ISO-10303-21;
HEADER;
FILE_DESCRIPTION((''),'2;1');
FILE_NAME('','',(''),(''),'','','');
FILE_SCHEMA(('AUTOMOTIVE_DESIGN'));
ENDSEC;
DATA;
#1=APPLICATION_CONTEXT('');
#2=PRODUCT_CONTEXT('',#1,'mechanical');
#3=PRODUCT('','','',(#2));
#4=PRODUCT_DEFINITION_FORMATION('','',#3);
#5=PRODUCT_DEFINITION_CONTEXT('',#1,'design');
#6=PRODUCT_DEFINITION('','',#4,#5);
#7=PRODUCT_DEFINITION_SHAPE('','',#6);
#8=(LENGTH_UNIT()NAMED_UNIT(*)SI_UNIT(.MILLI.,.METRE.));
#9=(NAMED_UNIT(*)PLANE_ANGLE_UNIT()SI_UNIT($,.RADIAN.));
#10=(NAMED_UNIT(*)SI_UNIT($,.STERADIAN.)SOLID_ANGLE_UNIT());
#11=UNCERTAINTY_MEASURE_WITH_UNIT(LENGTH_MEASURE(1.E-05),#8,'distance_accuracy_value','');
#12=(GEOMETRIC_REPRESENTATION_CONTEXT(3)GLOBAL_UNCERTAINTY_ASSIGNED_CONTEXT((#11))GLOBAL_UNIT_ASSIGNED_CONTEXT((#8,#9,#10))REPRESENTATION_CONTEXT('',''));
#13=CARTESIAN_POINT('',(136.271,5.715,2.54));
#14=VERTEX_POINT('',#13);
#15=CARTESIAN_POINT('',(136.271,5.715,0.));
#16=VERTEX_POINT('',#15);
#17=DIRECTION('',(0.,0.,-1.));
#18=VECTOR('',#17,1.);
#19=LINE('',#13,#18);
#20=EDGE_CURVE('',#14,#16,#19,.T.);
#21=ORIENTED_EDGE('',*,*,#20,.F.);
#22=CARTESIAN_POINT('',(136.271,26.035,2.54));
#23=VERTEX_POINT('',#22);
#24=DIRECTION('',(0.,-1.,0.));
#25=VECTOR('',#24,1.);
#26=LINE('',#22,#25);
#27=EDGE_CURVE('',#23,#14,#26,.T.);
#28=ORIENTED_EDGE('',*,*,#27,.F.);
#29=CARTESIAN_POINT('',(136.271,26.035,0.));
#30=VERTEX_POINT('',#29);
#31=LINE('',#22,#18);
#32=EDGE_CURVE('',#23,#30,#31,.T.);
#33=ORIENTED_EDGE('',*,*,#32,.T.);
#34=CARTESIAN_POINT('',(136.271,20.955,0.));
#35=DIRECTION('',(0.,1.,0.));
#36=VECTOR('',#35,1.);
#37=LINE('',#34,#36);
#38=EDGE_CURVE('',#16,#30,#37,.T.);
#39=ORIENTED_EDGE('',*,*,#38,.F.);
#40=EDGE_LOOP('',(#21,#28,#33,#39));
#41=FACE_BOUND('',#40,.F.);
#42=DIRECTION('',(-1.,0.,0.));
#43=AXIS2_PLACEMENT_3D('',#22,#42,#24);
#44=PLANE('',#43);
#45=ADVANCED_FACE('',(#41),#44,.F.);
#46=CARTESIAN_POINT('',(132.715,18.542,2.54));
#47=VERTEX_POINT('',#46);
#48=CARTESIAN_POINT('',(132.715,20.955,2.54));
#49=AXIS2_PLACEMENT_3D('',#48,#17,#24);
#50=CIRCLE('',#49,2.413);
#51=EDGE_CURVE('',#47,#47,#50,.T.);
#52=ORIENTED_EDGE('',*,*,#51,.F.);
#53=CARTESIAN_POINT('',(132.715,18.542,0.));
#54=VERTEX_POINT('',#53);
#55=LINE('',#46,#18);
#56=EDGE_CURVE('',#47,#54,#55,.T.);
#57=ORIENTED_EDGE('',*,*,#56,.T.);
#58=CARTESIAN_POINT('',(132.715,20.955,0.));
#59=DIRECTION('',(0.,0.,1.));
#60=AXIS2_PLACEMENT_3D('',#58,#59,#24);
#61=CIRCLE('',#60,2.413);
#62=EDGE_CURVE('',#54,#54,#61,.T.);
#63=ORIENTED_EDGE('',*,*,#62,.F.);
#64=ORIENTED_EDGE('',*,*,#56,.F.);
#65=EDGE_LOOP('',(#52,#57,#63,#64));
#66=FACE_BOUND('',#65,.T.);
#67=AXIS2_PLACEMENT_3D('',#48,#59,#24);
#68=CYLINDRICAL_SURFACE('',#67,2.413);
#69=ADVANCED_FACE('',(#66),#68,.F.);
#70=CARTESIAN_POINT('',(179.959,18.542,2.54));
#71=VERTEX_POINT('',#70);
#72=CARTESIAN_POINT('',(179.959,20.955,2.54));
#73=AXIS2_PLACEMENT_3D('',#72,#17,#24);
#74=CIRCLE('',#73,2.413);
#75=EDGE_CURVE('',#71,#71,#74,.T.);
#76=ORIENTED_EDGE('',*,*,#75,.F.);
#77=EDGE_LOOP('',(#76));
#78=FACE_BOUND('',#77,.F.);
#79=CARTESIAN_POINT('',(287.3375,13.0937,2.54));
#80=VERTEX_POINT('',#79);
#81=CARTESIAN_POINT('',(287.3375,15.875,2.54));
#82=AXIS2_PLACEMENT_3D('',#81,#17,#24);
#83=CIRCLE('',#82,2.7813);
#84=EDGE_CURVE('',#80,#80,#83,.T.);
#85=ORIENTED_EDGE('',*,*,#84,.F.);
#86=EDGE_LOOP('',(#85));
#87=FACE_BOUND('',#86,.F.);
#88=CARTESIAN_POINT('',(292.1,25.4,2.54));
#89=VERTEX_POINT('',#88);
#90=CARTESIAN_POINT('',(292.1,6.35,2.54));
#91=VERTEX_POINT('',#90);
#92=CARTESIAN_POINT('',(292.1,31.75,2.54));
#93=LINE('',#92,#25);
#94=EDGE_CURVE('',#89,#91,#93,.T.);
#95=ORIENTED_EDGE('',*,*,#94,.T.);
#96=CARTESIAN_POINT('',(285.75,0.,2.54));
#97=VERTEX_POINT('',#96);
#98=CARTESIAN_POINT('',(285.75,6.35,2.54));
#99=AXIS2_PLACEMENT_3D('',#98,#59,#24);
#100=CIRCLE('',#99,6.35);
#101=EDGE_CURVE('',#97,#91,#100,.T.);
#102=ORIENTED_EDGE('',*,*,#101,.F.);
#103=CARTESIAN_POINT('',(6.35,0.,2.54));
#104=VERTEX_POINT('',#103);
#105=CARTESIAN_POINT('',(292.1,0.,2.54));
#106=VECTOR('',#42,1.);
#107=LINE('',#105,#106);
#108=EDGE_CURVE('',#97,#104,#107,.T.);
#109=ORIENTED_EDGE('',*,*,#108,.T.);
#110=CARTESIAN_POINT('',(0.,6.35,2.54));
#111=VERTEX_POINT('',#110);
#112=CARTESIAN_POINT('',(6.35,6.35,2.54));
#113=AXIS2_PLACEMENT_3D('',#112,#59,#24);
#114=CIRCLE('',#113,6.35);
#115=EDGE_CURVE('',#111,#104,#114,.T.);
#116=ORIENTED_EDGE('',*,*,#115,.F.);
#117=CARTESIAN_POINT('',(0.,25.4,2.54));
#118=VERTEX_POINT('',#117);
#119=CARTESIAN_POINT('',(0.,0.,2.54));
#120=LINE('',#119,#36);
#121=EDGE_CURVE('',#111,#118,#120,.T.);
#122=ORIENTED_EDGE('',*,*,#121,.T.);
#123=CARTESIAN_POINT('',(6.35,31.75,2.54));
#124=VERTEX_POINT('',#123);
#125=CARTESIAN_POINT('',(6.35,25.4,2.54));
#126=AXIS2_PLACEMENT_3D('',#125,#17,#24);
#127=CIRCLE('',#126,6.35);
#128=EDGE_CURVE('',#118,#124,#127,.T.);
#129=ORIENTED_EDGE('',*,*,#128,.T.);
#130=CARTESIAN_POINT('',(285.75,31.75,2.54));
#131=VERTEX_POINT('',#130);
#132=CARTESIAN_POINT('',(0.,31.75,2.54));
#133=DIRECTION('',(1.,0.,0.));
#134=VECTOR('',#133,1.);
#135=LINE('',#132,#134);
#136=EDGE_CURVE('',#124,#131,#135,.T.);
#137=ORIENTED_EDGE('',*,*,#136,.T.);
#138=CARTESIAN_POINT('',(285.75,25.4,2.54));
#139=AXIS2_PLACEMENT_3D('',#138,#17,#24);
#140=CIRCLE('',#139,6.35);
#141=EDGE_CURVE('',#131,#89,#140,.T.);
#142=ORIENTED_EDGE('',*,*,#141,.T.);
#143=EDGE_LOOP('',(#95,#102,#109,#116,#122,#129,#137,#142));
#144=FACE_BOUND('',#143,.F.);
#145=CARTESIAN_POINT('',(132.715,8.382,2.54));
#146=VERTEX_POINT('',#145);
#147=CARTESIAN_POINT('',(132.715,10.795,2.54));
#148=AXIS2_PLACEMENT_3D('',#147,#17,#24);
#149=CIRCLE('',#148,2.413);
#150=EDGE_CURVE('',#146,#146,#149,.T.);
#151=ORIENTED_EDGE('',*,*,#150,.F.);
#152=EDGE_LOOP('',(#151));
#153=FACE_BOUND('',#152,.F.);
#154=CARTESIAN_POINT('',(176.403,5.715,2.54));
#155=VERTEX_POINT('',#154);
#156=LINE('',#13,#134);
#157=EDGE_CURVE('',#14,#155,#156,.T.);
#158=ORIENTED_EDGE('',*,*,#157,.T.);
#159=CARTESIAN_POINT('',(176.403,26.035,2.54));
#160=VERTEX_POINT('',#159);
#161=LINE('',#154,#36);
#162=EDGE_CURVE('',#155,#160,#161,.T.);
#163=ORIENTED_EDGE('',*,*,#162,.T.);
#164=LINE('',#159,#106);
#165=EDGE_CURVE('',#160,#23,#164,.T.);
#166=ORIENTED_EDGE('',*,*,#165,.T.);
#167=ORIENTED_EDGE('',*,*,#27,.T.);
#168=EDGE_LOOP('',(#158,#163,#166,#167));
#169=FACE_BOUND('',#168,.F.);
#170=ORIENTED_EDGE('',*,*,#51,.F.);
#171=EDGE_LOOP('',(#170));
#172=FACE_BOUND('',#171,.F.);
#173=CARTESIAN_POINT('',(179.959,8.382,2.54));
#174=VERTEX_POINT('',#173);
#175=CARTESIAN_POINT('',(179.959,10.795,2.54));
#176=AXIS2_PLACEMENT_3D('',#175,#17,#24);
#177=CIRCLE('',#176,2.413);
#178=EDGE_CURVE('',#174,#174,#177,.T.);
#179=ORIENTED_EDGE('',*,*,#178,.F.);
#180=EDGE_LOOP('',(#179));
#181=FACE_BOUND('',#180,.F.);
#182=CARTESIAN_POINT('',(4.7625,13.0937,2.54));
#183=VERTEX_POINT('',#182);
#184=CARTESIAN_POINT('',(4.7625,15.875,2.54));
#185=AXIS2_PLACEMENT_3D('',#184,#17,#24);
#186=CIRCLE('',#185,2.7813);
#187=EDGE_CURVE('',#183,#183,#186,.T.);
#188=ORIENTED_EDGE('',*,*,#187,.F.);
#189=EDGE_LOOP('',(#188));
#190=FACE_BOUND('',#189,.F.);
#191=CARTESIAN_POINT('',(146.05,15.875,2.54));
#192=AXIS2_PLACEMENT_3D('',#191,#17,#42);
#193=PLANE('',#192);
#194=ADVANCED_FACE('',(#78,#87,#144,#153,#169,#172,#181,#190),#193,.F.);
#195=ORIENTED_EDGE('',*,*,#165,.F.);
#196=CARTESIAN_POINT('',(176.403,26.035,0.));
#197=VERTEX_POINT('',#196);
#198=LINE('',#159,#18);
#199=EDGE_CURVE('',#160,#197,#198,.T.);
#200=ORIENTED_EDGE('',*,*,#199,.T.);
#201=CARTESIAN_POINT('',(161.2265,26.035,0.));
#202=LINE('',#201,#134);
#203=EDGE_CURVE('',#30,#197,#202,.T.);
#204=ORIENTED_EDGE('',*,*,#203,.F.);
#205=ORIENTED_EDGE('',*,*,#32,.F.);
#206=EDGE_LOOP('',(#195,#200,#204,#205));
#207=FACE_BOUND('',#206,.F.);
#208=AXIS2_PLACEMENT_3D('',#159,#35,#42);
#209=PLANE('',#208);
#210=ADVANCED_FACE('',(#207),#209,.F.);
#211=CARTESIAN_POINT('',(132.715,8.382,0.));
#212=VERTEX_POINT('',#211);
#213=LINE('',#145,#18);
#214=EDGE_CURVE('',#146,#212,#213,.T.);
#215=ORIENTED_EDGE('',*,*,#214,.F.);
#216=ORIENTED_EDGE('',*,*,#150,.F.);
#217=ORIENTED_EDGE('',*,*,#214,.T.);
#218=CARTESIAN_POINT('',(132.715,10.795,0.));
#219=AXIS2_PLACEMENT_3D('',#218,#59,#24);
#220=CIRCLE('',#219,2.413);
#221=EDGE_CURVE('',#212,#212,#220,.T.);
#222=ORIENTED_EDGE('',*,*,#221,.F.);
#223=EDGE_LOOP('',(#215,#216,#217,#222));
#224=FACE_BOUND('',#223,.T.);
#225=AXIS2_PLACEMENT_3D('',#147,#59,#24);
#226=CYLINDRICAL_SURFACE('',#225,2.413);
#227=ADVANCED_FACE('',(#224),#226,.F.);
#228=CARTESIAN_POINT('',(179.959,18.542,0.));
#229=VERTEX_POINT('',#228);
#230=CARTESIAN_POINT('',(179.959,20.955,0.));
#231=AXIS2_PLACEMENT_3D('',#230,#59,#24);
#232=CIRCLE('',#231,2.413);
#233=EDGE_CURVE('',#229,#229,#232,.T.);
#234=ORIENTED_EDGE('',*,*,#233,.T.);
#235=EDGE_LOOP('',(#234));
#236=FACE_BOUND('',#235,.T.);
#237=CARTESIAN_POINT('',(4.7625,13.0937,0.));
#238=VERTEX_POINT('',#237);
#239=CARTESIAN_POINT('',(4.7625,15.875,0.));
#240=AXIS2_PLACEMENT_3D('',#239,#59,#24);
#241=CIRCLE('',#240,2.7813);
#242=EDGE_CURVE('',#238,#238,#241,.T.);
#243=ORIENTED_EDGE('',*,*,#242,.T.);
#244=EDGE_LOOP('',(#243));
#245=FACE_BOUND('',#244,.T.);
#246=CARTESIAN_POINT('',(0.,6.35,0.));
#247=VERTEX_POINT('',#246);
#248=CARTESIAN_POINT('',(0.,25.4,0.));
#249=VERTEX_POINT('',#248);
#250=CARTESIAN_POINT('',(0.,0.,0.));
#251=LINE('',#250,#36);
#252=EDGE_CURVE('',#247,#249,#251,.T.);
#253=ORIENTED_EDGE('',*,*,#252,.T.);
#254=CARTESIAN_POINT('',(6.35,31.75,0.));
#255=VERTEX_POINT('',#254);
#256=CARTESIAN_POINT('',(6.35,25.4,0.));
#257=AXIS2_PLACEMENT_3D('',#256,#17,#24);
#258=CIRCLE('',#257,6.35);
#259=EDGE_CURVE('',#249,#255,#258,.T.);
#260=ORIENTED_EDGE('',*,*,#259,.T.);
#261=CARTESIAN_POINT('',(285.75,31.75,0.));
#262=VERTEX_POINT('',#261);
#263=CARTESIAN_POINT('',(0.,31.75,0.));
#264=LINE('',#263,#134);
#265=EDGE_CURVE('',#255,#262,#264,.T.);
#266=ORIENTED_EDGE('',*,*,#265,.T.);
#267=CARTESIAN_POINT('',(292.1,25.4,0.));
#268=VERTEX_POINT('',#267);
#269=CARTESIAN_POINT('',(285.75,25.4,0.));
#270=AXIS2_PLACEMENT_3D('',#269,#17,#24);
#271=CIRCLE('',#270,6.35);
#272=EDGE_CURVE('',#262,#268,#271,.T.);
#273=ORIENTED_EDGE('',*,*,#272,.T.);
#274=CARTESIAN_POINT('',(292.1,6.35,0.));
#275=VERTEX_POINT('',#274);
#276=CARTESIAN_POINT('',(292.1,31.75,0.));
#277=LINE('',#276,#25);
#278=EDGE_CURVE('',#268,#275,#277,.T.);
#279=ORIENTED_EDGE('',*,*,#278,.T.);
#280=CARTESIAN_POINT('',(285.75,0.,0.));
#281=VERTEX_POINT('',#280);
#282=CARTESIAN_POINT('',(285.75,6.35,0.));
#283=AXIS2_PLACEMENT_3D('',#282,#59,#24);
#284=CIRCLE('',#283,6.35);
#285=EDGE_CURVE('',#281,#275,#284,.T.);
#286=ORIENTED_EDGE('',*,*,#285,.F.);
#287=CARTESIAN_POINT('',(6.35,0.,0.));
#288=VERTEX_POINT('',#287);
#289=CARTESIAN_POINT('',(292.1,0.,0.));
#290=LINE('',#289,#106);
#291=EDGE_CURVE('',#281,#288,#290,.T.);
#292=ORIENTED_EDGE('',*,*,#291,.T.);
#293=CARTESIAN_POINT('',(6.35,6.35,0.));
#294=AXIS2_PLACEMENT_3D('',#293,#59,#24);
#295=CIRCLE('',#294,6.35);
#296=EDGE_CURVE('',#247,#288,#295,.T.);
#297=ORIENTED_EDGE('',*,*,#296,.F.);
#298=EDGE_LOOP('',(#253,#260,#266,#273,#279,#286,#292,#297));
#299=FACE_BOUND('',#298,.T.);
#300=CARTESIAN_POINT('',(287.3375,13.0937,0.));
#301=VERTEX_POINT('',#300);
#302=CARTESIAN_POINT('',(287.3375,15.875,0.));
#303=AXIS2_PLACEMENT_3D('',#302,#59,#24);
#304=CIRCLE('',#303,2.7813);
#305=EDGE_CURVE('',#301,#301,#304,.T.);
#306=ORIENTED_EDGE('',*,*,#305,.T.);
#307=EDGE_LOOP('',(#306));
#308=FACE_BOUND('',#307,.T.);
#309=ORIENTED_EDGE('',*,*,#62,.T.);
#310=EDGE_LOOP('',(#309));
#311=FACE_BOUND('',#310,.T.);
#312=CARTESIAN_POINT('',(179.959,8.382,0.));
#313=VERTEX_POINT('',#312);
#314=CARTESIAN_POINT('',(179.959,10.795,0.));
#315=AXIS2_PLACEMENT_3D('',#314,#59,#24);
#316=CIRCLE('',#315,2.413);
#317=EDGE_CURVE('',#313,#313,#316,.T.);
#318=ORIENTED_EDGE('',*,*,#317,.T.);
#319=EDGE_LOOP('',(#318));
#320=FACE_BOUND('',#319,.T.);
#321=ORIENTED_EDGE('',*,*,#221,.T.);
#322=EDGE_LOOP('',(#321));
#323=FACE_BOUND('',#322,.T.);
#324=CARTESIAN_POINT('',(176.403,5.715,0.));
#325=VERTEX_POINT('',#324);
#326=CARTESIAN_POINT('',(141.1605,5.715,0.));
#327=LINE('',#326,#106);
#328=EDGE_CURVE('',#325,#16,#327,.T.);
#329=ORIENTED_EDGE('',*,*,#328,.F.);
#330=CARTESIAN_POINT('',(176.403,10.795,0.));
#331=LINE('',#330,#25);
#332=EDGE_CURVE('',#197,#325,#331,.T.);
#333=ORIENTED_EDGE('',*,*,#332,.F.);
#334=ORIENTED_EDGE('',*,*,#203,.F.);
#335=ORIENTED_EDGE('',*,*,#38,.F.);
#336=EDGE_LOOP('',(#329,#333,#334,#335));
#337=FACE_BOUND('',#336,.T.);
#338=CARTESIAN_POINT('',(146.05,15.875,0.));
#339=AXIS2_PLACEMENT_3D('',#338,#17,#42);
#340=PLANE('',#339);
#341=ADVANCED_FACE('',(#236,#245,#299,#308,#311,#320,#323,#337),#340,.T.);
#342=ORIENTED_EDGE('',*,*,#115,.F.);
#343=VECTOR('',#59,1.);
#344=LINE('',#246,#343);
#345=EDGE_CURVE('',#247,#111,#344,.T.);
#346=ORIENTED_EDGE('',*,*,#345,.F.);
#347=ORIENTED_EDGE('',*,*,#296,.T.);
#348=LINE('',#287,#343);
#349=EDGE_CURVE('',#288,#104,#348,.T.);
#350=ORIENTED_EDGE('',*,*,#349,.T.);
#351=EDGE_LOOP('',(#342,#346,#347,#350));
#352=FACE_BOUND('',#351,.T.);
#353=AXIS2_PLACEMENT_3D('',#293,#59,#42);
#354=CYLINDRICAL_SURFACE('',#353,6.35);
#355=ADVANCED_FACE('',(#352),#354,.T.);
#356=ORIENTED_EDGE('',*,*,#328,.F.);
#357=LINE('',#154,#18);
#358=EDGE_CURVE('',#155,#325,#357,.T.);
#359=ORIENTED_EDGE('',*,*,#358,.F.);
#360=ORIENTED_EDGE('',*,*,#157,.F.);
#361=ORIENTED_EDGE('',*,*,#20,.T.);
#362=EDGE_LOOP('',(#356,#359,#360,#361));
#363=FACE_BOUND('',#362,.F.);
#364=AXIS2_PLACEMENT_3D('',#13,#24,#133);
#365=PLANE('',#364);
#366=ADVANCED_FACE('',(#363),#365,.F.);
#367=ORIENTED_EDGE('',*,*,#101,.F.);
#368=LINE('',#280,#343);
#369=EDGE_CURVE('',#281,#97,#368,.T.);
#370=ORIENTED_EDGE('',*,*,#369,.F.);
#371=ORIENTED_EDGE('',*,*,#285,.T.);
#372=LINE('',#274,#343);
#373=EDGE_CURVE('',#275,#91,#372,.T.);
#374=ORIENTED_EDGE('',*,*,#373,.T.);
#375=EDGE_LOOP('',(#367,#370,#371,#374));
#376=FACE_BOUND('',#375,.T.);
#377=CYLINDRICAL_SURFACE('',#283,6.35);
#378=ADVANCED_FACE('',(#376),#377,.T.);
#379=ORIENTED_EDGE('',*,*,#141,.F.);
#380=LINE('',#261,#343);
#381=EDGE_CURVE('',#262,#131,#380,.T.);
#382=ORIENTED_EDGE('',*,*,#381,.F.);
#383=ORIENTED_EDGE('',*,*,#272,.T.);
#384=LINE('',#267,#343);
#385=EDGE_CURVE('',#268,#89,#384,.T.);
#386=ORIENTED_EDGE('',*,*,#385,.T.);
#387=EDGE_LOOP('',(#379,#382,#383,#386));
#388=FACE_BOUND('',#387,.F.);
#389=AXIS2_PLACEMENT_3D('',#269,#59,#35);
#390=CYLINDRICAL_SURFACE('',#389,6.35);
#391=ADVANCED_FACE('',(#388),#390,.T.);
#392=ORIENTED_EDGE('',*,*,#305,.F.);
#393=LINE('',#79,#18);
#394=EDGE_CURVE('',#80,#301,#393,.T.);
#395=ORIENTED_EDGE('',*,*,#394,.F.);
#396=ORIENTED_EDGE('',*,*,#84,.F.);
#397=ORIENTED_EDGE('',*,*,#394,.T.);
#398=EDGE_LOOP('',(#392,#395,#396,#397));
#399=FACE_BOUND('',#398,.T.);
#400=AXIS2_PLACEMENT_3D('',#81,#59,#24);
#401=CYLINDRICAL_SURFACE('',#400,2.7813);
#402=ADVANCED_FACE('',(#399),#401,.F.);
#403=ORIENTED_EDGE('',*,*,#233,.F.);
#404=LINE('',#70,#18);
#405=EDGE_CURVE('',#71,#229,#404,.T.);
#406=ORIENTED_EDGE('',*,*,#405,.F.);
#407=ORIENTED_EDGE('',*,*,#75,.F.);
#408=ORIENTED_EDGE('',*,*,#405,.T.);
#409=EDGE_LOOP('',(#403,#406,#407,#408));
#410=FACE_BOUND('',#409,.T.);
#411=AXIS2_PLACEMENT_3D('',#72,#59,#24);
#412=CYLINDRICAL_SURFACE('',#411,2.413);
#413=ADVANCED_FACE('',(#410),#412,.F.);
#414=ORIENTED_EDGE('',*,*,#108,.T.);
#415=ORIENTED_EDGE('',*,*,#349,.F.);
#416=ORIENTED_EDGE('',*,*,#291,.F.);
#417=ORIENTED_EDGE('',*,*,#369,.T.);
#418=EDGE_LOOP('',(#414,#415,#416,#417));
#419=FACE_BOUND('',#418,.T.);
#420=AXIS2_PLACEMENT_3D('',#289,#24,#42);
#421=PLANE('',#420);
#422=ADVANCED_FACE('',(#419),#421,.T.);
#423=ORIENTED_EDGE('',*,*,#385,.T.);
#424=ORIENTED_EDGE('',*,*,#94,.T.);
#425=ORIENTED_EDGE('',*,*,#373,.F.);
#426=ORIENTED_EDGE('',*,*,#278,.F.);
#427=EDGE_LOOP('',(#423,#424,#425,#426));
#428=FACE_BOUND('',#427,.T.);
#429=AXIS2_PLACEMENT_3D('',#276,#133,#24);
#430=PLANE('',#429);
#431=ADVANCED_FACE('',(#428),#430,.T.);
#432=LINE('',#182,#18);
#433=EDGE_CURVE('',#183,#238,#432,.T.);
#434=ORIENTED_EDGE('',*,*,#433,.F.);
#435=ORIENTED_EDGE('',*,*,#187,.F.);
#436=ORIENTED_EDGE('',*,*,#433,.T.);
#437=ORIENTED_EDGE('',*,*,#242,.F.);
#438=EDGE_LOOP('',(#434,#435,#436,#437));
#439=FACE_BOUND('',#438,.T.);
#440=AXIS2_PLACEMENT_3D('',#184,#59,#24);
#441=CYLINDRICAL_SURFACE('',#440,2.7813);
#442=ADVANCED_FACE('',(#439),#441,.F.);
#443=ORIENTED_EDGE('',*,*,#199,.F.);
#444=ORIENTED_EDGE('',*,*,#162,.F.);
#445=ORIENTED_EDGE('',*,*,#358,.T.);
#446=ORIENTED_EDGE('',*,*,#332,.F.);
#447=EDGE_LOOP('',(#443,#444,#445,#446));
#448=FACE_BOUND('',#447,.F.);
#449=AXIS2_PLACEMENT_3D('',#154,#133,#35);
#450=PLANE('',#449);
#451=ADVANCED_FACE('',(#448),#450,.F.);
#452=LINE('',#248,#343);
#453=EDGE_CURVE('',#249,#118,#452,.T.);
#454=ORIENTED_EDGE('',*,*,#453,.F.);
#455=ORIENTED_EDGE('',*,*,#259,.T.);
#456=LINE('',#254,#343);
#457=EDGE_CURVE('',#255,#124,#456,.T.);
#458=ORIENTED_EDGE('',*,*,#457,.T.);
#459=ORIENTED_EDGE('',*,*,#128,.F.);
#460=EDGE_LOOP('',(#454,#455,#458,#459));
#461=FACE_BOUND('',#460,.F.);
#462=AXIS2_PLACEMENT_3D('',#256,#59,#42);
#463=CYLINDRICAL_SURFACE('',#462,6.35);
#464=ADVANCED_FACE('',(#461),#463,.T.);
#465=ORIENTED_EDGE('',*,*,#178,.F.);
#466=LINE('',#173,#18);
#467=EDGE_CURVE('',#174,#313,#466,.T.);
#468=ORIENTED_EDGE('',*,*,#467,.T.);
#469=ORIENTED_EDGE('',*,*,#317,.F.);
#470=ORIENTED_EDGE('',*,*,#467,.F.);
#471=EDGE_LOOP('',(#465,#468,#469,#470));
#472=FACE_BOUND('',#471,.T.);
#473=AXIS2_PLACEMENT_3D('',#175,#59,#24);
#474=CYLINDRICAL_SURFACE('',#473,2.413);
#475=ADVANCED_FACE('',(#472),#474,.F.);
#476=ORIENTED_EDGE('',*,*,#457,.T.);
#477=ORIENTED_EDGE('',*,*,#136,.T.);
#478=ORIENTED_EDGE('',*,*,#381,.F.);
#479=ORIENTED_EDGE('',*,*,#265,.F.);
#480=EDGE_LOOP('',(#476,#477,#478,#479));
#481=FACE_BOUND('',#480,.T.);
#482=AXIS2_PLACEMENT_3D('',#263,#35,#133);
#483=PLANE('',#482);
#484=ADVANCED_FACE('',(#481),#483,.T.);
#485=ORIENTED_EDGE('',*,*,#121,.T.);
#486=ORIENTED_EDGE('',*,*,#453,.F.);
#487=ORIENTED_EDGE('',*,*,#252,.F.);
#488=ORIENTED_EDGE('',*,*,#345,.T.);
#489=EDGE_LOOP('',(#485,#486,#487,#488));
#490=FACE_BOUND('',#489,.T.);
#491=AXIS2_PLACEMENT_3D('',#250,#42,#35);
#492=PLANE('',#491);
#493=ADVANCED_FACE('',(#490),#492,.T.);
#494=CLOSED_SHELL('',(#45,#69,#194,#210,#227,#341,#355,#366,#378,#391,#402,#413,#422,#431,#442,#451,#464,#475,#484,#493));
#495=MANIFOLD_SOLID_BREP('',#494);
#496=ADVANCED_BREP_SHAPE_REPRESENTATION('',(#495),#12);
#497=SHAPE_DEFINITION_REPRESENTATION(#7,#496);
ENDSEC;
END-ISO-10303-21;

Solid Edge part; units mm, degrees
sketch "Sketch1" plane through (0, 0, 0) normal (0, 0, 1) x (1, 0, 0)
  line L0 (0, 0) -> (0, 31.75)
  line L1 (0, 31.75) -> (292.1, 31.75)
  line L2 (292.1, 31.75) -> (292.1, 0)
  line L3 (292.1, 0) -> (0, 0)
  dimension "D1" = 292.1
  dimension "D2" = 31.75
extrude "Protrusion1" add sketch "Sketch1" along normal blind 2.54
hole "Hole_1" at (287.3375, 15.875, 2.54) direction (0, 0, -1) diameter 5.5626 end up to next
hole "Hole1" at (4.7625, 15.875, 2.54) direction (0, 0, -1) diameter 5.5626 end up to next
fillet "Round_1" radius 6.35 4 edges at (0, 0, 1.27) (0, 31.75, 1.27) (292.1, 31.75, 1.27) (292.1, 0, 1.27)
sketch "Sketch2" plane through (146.05, 25.4, 2.54) normal (0, 0, 1) x (1, 0, 0)
  line L0 (-9.779, 0.635) -> (-9.779, -19.685)
  line L1 (-9.779, -19.685) -> (30.353, -19.685)
  line L2 (30.353, -19.685) -> (30.353, 0.635)
  line L3 (30.353, 0.635) -> (-9.779, 0.635)
  dimension "D1" = 40.132
  dimension "D2" = 20.32
  dimension "D3" = 9.779
  dimension "D4" = 10.16
  dimension "D5" = 9.779
extrude "Cutout1" cut sketch "Sketch2" against normal through all
hole "Hole2" at (179.959, 20.955, 2.54) direction (0, 0, -1) diameter 4.826 end through all
hole "Hole3" at (179.959, 10.795, 2.54) direction (0, 0, -1) diameter 4.826 end through all
hole "Hole4" at (132.715, 10.795, 2.54) direction (0, 0, -1) diameter 4.826 end through all
hole "Hole5" at (132.715, 20.955, 2.54) direction (0, 0, -1) diameter 4.826 end through all
properties part number "SR-04"
